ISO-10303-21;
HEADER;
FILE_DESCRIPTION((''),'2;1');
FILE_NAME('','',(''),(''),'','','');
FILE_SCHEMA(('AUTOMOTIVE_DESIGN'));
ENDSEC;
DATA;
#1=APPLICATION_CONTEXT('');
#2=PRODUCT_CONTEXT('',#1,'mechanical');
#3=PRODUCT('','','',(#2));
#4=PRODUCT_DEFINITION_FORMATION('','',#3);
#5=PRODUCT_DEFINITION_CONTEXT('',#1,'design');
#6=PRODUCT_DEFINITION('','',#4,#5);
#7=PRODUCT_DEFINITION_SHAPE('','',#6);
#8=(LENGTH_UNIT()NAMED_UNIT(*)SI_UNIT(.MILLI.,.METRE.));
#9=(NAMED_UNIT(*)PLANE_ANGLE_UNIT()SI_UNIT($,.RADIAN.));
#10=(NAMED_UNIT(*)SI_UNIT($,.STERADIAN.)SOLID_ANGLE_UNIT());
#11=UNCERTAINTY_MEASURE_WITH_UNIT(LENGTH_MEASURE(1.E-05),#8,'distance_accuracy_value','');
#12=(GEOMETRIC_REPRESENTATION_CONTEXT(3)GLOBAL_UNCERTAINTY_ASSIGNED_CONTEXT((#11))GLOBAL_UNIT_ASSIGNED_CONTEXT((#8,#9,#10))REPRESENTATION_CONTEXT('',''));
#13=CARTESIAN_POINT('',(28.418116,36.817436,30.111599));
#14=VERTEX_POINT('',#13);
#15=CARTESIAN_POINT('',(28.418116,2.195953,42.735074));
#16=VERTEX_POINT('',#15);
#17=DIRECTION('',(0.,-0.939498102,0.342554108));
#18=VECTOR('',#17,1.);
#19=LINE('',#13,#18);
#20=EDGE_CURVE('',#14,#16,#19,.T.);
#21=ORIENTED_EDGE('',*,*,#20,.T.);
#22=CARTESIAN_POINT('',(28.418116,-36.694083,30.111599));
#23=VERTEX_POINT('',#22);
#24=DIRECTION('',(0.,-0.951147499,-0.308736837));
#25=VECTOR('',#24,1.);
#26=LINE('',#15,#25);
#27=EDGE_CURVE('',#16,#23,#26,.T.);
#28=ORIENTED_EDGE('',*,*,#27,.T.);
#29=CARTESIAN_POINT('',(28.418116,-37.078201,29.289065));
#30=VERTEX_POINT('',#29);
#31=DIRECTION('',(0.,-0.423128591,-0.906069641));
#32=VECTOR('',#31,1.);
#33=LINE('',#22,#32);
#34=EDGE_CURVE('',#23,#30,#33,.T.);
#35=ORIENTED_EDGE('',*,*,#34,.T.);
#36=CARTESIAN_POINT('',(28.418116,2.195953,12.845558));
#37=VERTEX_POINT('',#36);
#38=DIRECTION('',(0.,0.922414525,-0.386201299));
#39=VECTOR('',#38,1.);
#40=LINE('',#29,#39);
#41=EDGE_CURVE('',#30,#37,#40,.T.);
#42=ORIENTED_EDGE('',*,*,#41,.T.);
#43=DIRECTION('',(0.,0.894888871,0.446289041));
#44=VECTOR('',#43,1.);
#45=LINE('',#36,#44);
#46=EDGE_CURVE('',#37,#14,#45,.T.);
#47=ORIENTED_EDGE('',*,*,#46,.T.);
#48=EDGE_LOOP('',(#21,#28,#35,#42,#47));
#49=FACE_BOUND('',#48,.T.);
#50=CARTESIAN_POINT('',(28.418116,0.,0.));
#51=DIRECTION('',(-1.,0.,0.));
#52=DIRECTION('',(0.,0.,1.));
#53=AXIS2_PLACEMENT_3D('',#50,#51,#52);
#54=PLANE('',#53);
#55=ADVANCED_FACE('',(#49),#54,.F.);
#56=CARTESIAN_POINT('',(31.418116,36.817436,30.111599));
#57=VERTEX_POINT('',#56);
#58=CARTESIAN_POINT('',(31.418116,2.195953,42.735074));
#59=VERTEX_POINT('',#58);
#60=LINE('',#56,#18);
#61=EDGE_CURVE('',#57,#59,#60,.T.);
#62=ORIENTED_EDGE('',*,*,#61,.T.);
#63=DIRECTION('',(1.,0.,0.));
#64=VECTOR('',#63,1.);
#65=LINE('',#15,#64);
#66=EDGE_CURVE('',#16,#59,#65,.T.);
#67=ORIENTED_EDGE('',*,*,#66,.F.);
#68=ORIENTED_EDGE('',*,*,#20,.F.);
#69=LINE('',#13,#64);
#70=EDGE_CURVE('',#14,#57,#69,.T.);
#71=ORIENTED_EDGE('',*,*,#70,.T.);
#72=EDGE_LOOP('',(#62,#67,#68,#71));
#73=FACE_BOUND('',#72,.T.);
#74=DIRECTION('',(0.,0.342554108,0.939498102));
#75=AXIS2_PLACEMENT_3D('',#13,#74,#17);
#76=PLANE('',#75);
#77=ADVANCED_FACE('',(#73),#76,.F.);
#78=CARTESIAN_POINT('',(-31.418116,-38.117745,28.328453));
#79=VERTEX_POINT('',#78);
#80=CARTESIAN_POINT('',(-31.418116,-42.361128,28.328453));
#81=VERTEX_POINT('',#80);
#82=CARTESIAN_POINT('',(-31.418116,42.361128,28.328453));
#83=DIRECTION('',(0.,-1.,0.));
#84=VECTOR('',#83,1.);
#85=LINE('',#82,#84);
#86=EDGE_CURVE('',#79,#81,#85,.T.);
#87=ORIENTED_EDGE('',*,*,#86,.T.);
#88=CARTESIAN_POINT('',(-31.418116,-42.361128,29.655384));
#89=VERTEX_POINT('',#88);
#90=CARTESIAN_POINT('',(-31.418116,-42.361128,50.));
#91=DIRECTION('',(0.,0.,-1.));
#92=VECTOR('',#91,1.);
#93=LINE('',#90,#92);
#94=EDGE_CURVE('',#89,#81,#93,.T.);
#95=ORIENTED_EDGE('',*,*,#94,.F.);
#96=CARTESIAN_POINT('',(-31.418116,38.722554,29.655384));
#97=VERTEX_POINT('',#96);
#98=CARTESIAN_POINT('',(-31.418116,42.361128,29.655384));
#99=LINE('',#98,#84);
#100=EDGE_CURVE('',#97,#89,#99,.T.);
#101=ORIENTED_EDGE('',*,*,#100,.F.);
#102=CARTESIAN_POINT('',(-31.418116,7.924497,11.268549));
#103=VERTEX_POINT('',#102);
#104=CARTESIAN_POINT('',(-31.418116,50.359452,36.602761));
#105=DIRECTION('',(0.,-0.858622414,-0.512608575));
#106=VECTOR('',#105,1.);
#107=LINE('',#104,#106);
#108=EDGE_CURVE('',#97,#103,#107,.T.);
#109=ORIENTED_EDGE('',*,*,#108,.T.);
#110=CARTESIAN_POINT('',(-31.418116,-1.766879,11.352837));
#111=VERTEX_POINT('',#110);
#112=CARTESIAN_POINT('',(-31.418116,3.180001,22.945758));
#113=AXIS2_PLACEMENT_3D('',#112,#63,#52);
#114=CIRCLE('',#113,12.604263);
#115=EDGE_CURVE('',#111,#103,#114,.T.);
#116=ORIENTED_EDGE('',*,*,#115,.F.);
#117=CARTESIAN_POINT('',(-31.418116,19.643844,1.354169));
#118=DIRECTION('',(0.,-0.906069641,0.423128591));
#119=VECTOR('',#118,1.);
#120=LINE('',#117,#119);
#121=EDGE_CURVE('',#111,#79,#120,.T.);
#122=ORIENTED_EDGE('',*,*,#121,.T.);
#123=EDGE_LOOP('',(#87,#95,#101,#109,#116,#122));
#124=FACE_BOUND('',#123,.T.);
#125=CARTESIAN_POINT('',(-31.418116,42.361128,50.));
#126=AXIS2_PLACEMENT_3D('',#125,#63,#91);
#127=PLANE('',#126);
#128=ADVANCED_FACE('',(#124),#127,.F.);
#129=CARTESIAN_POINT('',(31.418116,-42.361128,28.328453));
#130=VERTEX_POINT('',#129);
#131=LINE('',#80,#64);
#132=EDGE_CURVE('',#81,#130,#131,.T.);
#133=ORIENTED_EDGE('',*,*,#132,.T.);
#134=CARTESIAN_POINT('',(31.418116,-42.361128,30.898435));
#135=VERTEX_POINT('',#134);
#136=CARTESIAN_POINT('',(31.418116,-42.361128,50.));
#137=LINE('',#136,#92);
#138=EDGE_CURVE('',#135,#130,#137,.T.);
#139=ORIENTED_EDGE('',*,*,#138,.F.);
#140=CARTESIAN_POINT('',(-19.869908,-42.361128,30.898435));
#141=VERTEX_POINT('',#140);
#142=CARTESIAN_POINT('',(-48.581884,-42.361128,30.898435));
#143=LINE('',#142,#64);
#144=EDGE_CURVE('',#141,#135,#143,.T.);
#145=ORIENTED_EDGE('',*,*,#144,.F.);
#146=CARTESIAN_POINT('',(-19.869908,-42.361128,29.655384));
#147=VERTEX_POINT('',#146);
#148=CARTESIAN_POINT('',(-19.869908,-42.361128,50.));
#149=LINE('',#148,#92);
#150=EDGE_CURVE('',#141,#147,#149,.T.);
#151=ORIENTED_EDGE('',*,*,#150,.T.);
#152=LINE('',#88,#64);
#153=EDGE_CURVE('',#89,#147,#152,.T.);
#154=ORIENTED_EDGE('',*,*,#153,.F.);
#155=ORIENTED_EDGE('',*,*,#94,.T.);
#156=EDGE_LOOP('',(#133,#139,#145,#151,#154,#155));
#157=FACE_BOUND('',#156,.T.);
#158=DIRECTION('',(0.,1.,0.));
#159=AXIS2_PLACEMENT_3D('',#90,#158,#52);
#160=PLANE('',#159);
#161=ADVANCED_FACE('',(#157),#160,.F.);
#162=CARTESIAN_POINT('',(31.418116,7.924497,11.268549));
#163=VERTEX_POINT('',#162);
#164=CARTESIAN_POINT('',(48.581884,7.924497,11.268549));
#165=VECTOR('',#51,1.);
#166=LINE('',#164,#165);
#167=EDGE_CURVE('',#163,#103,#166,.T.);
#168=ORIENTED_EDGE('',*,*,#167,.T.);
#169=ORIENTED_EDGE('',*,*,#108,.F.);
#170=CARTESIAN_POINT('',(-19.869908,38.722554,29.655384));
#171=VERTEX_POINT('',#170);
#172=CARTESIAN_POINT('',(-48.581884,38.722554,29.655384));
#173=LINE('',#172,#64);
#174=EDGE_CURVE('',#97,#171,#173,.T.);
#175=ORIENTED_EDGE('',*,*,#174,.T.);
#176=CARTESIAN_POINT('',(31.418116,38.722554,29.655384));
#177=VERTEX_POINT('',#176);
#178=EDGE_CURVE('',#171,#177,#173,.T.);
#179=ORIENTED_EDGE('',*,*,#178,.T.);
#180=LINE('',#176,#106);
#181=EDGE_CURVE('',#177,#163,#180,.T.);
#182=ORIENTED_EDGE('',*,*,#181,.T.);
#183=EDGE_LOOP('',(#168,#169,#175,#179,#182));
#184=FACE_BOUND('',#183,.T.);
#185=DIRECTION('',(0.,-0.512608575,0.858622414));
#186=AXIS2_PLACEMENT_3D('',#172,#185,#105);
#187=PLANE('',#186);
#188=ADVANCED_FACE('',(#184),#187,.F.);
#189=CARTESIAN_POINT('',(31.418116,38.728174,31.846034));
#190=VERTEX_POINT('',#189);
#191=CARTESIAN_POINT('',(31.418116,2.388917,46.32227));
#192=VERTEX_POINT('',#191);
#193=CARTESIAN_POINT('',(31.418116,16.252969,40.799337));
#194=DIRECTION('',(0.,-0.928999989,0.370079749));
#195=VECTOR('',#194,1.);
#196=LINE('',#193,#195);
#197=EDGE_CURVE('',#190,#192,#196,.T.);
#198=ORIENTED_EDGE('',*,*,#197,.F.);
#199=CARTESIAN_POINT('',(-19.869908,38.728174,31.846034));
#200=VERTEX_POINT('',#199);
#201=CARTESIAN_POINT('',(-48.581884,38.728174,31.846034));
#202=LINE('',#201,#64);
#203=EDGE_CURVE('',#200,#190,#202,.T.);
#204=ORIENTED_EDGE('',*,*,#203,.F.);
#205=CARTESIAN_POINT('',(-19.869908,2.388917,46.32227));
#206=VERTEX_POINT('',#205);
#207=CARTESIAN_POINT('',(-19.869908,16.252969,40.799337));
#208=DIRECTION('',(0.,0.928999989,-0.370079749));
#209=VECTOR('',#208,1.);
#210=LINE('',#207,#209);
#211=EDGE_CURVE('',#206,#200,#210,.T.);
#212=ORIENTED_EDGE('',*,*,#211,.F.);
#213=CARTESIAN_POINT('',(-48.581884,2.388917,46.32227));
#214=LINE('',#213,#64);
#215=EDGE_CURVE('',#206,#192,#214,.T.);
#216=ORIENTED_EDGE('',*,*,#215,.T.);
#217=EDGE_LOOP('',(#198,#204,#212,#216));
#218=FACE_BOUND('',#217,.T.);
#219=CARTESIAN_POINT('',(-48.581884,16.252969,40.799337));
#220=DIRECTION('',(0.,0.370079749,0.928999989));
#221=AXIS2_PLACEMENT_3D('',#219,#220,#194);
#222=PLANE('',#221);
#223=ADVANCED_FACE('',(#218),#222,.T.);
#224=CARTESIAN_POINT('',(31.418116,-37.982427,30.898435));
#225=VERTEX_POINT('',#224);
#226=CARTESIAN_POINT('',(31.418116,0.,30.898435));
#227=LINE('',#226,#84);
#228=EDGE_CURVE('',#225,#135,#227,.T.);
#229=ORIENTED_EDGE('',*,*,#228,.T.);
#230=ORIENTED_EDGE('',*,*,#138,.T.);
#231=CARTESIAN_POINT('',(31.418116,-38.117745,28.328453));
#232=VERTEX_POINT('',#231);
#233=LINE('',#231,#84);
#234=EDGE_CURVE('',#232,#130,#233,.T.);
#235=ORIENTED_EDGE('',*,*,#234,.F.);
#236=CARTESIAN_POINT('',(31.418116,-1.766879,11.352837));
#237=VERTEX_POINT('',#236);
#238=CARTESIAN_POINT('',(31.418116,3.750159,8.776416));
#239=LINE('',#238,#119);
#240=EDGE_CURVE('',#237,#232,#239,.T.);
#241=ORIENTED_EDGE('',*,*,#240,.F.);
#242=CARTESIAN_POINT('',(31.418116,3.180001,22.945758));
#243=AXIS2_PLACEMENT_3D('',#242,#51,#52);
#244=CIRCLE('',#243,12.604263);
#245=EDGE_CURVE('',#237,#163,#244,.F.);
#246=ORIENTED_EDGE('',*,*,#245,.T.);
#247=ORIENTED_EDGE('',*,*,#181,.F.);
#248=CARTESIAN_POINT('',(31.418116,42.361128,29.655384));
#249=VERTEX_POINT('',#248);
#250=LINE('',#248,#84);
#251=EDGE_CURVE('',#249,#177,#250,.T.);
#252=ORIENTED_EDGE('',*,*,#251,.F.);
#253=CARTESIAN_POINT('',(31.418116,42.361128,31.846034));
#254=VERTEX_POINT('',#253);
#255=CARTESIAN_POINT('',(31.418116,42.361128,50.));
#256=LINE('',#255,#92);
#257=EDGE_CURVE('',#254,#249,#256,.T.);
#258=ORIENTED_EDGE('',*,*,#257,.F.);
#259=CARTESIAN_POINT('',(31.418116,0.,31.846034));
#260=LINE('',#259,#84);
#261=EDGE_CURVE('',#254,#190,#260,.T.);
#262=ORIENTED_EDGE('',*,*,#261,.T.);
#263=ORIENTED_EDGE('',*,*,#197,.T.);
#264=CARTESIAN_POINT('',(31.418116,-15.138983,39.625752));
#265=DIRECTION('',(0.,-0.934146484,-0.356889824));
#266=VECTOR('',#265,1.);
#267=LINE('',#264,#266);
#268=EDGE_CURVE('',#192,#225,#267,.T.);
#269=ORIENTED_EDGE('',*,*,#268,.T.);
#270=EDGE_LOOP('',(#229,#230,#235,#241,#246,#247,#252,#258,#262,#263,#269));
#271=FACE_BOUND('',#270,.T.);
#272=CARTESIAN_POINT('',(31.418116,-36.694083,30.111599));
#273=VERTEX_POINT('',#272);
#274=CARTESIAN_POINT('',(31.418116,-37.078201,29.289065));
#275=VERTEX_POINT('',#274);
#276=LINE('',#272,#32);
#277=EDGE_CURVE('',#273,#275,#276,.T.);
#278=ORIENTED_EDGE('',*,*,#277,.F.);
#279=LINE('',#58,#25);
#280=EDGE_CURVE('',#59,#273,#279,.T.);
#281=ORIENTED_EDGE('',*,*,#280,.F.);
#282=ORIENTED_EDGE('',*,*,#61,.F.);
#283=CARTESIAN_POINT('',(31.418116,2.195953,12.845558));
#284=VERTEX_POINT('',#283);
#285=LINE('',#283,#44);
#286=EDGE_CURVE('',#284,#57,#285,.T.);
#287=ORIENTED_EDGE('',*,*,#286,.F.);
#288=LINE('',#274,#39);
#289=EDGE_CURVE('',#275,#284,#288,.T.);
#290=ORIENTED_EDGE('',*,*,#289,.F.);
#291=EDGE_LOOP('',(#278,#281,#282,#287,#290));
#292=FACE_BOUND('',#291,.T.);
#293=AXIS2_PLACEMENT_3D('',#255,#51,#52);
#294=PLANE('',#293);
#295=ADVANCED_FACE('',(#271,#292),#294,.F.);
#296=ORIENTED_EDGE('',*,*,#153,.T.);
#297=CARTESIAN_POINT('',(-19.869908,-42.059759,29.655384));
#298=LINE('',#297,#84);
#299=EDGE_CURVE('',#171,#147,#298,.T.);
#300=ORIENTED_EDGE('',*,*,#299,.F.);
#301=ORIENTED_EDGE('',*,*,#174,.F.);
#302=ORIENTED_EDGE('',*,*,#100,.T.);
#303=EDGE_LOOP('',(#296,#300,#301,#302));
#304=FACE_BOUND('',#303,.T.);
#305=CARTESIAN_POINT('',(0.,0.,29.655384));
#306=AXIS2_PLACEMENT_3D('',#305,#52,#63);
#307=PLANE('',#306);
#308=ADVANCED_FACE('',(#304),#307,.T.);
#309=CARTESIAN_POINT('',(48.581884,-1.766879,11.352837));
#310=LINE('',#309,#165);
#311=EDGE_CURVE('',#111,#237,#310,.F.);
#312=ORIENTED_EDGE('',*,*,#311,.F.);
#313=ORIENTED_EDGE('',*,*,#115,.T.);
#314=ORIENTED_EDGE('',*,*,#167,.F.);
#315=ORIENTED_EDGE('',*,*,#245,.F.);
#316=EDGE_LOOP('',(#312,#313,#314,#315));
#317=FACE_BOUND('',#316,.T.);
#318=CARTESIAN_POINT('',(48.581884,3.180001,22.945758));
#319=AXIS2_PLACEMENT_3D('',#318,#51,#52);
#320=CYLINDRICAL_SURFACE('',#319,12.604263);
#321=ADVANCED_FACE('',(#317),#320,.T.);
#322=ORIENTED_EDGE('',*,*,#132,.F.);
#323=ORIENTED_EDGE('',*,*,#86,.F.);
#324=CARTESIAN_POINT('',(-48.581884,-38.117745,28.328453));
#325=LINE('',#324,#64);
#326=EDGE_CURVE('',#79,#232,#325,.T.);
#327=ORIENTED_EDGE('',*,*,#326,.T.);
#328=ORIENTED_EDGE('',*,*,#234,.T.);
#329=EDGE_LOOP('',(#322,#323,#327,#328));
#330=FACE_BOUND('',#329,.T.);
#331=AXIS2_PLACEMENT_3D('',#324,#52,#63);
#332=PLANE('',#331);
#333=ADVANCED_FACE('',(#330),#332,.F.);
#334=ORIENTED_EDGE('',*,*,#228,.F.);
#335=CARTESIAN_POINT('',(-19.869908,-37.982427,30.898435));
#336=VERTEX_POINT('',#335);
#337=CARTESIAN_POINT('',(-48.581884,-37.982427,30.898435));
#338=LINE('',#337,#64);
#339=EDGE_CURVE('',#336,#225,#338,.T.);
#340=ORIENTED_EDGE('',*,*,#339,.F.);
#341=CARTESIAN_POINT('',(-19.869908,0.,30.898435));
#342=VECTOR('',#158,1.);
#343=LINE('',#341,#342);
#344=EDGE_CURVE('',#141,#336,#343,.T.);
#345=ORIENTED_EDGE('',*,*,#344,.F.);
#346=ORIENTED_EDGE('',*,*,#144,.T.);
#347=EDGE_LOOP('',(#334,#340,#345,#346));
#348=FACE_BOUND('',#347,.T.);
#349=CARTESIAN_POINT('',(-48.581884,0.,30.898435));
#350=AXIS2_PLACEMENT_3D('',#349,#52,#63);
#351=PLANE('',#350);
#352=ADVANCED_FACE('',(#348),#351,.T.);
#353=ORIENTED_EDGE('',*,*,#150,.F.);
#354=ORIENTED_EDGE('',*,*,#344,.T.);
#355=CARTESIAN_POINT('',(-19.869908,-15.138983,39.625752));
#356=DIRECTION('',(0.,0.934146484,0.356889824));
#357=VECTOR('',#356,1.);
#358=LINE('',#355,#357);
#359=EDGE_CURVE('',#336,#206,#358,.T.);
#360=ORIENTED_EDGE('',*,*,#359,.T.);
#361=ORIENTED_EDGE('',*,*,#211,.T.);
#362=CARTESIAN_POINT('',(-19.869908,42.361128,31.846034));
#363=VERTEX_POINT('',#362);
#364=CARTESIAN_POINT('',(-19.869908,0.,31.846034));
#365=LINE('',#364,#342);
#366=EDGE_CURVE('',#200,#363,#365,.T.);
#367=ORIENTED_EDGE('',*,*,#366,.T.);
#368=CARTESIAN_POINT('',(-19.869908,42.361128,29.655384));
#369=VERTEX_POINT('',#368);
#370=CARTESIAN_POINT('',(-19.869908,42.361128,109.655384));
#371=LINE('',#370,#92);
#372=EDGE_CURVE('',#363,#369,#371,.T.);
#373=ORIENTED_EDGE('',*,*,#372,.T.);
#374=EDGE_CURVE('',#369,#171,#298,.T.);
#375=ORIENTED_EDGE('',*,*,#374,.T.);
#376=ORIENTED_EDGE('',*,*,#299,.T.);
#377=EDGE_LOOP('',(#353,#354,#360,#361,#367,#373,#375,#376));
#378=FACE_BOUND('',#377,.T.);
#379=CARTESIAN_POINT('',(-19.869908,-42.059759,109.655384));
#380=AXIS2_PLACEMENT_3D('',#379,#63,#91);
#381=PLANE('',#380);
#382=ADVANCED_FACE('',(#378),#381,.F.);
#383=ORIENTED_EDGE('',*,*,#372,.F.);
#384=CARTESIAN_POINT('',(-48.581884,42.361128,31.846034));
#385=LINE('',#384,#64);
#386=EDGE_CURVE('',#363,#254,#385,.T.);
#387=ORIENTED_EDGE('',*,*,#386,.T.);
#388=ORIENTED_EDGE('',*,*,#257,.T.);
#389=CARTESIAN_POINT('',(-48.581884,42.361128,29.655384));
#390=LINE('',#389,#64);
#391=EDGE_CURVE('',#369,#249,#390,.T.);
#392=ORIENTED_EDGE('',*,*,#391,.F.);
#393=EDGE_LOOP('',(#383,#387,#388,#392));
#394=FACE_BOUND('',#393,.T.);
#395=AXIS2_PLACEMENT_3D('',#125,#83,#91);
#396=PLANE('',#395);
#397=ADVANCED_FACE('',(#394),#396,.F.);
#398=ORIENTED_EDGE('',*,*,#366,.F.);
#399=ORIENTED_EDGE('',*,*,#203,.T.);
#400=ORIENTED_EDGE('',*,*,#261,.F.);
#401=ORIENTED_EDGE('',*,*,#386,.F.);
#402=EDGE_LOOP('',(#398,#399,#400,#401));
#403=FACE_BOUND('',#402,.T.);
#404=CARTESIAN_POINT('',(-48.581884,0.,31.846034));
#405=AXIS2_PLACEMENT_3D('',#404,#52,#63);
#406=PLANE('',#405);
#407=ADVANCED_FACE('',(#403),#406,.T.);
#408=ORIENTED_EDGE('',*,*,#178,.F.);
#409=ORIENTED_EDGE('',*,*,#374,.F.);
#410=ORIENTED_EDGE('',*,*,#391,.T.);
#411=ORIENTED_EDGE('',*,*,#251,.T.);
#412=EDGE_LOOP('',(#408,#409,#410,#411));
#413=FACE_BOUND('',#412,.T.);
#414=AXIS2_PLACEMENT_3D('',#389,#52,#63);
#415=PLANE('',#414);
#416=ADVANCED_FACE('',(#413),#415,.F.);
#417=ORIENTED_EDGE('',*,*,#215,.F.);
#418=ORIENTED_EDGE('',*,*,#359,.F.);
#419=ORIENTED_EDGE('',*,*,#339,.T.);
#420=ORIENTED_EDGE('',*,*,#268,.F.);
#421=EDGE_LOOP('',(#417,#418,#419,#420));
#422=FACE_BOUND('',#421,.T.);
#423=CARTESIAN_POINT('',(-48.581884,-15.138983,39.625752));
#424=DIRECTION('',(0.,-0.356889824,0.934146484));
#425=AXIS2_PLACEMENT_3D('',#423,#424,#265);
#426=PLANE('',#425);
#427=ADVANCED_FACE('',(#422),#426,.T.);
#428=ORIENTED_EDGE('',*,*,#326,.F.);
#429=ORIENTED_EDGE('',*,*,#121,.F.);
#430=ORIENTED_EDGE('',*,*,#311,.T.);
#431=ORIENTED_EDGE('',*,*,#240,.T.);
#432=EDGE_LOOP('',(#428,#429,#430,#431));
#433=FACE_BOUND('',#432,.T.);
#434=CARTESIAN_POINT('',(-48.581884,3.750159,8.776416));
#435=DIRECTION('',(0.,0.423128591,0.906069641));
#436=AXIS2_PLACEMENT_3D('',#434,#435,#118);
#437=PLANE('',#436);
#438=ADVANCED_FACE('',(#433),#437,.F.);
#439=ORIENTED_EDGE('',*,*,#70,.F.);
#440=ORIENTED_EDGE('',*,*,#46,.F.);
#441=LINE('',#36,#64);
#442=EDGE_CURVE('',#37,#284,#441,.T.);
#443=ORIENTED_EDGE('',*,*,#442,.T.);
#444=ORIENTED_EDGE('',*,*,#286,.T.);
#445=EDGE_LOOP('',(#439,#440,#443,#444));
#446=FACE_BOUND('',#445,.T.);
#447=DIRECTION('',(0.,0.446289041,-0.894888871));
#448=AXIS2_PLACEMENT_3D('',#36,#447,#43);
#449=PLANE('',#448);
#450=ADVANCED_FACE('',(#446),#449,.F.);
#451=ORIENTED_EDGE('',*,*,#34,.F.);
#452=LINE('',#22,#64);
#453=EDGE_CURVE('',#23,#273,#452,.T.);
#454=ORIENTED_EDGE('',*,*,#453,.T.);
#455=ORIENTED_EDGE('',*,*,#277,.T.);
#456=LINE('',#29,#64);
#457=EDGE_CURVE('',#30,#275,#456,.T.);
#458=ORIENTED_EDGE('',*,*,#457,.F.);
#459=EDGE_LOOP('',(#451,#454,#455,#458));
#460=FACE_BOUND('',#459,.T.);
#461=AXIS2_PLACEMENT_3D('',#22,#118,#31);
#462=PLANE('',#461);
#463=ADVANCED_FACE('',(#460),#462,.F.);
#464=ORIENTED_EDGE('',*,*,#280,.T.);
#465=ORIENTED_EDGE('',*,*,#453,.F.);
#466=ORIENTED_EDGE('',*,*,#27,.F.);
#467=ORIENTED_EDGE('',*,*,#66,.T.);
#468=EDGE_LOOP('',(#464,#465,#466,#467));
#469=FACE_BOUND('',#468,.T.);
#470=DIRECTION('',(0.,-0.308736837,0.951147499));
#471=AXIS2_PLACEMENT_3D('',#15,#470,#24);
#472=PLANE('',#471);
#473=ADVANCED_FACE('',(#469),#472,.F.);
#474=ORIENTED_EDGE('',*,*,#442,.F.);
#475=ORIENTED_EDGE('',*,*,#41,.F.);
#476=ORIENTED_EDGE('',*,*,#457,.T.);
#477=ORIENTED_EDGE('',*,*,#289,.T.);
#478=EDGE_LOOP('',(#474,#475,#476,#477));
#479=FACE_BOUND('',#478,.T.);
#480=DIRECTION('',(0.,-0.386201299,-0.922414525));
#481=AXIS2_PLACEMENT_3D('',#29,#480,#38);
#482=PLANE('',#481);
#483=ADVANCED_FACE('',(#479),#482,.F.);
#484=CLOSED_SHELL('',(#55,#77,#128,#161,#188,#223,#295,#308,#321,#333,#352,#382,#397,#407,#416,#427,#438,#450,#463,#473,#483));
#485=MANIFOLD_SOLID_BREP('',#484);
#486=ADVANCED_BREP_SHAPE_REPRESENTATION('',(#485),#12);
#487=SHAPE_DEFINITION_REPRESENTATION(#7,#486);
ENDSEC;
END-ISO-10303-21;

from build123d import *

# Parameters (mm, degrees)
SKETCH4_W           = 62.83623107
SKETCH4_H           = 84.722256574
BOSS_EXTRUDE2_DEPTH = 50
CUT_EXTRUDE2_DEPTH  = 80
CUT_EXTRUDE3_DEPTH  = 80
CUT_EXTRUDE5_DEPTH  = 80
CUT_EXTRUDE6_DEPTH  = 3
CUT_EXTRUDE8_DEPTH  = 80


with BuildPart() as part:
    # Sketch4 → Boss-Extrude2 (new body)
    with BuildSketch(Plane.XY):
        Rectangle(SKETCH4_W, SKETCH4_H)
    extrude(amount=BOSS_EXTRUDE2_DEPTH)

    # Sketch5 → Cut-Extrude2 (cut)
    with BuildSketch(Plane(origin=(31.418115535, 0, 0), x_dir=(0, 0, -1), z_dir=(1, 0, 0))):
        Polygon((-31.846034257, 38.728174008), (-31.846034257, 42.361128287), (-50, 42.361128287), (-50, -42.361128287), (-30.898434646, -42.361128287), (-30.898434646, -37.982426726), (-46.322270236, 2.38891709), align=None)
    extrude(amount=-CUT_EXTRUDE2_DEPTH, mode=Mode.SUBTRACT)

    # Sketch6 → Cut-Extrude3 (cut)
    with BuildSketch(Plane(origin=(31.418115535, 0, 0), x_dir=(0, 0, -1), z_dir=(1, 0, 0))):
        Polygon((-29.655383969, 42.361128287), (-29.655383969, 38.722554473), (-8.776416022, 3.750158878), (-28.328453067, -38.117745), (-28.328453067, -42.361128287), (-27.677514405, -46.625913761), (16.839811583, -52.045359618), (10.267667228, 27.190343951), (3.73953172, 54.484047391), align=None)
    extrude(amount=-CUT_EXTRUDE3_DEPTH, mode=Mode.SUBTRACT)

    # Sketch7 → Cut-Extrude5 (cut)
    with BuildSketch(Plane.ZY.offset(31.418115535)):
        with BuildLine():
            ThreePointArc((13.228873585, 11.208051798), (10.417703783, 4.563945687), (11.71087014, -2.533556863))
            ThreePointArc((11.71087014, -2.533556863), (0.747619784, 5.632177302), (13.228873585, 11.208051798))
        make_face()
    extrude(amount=-CUT_EXTRUDE5_DEPTH, mode=Mode.SUBTRACT)

    # Sketch8 → Cut-Extrude6 (cut)
    with BuildSketch(Plane(origin=(31.418115535, 0, 0), x_dir=(0, 0, -1), z_dir=(1, 0, 0))):
        Polygon((-30.111598921, 36.817435747), (-42.735074125, 2.19595341), (-30.111598921, -36.694083179), (-29.289064541, -37.07820135), (-12.845557678, 2.19595341), align=None)
    extrude(amount=-CUT_EXTRUDE6_DEPTH, mode=Mode.SUBTRACT)

    # Sketch9 → Cut-Extrude8 (cut)
    with BuildSketch(Plane(origin=(0, 0, 29.655383969), x_dir=(-1, 0, 0), z_dir=(0, 0, -1))):
        Polygon((19.869908303, 42.361128287), (19.869908303, 38.722554473), (19.869908303, 5.586987563), (19.869908303, -4.186945454), (19.869908303, -38.208459621), (19.869908303, -42.059759196), (19.869908303, -47.026854784), (41.256673117, -49.585938288), (42.081255469, -21.197702537), (42.081255469, 12.428184914), (37.482224788, 37.513066745), (31.418115535, 49.4837873), align=None)
    extrude(amount=-CUT_EXTRUDE8_DEPTH, mode=Mode.SUBTRACT)


solid = part.part
